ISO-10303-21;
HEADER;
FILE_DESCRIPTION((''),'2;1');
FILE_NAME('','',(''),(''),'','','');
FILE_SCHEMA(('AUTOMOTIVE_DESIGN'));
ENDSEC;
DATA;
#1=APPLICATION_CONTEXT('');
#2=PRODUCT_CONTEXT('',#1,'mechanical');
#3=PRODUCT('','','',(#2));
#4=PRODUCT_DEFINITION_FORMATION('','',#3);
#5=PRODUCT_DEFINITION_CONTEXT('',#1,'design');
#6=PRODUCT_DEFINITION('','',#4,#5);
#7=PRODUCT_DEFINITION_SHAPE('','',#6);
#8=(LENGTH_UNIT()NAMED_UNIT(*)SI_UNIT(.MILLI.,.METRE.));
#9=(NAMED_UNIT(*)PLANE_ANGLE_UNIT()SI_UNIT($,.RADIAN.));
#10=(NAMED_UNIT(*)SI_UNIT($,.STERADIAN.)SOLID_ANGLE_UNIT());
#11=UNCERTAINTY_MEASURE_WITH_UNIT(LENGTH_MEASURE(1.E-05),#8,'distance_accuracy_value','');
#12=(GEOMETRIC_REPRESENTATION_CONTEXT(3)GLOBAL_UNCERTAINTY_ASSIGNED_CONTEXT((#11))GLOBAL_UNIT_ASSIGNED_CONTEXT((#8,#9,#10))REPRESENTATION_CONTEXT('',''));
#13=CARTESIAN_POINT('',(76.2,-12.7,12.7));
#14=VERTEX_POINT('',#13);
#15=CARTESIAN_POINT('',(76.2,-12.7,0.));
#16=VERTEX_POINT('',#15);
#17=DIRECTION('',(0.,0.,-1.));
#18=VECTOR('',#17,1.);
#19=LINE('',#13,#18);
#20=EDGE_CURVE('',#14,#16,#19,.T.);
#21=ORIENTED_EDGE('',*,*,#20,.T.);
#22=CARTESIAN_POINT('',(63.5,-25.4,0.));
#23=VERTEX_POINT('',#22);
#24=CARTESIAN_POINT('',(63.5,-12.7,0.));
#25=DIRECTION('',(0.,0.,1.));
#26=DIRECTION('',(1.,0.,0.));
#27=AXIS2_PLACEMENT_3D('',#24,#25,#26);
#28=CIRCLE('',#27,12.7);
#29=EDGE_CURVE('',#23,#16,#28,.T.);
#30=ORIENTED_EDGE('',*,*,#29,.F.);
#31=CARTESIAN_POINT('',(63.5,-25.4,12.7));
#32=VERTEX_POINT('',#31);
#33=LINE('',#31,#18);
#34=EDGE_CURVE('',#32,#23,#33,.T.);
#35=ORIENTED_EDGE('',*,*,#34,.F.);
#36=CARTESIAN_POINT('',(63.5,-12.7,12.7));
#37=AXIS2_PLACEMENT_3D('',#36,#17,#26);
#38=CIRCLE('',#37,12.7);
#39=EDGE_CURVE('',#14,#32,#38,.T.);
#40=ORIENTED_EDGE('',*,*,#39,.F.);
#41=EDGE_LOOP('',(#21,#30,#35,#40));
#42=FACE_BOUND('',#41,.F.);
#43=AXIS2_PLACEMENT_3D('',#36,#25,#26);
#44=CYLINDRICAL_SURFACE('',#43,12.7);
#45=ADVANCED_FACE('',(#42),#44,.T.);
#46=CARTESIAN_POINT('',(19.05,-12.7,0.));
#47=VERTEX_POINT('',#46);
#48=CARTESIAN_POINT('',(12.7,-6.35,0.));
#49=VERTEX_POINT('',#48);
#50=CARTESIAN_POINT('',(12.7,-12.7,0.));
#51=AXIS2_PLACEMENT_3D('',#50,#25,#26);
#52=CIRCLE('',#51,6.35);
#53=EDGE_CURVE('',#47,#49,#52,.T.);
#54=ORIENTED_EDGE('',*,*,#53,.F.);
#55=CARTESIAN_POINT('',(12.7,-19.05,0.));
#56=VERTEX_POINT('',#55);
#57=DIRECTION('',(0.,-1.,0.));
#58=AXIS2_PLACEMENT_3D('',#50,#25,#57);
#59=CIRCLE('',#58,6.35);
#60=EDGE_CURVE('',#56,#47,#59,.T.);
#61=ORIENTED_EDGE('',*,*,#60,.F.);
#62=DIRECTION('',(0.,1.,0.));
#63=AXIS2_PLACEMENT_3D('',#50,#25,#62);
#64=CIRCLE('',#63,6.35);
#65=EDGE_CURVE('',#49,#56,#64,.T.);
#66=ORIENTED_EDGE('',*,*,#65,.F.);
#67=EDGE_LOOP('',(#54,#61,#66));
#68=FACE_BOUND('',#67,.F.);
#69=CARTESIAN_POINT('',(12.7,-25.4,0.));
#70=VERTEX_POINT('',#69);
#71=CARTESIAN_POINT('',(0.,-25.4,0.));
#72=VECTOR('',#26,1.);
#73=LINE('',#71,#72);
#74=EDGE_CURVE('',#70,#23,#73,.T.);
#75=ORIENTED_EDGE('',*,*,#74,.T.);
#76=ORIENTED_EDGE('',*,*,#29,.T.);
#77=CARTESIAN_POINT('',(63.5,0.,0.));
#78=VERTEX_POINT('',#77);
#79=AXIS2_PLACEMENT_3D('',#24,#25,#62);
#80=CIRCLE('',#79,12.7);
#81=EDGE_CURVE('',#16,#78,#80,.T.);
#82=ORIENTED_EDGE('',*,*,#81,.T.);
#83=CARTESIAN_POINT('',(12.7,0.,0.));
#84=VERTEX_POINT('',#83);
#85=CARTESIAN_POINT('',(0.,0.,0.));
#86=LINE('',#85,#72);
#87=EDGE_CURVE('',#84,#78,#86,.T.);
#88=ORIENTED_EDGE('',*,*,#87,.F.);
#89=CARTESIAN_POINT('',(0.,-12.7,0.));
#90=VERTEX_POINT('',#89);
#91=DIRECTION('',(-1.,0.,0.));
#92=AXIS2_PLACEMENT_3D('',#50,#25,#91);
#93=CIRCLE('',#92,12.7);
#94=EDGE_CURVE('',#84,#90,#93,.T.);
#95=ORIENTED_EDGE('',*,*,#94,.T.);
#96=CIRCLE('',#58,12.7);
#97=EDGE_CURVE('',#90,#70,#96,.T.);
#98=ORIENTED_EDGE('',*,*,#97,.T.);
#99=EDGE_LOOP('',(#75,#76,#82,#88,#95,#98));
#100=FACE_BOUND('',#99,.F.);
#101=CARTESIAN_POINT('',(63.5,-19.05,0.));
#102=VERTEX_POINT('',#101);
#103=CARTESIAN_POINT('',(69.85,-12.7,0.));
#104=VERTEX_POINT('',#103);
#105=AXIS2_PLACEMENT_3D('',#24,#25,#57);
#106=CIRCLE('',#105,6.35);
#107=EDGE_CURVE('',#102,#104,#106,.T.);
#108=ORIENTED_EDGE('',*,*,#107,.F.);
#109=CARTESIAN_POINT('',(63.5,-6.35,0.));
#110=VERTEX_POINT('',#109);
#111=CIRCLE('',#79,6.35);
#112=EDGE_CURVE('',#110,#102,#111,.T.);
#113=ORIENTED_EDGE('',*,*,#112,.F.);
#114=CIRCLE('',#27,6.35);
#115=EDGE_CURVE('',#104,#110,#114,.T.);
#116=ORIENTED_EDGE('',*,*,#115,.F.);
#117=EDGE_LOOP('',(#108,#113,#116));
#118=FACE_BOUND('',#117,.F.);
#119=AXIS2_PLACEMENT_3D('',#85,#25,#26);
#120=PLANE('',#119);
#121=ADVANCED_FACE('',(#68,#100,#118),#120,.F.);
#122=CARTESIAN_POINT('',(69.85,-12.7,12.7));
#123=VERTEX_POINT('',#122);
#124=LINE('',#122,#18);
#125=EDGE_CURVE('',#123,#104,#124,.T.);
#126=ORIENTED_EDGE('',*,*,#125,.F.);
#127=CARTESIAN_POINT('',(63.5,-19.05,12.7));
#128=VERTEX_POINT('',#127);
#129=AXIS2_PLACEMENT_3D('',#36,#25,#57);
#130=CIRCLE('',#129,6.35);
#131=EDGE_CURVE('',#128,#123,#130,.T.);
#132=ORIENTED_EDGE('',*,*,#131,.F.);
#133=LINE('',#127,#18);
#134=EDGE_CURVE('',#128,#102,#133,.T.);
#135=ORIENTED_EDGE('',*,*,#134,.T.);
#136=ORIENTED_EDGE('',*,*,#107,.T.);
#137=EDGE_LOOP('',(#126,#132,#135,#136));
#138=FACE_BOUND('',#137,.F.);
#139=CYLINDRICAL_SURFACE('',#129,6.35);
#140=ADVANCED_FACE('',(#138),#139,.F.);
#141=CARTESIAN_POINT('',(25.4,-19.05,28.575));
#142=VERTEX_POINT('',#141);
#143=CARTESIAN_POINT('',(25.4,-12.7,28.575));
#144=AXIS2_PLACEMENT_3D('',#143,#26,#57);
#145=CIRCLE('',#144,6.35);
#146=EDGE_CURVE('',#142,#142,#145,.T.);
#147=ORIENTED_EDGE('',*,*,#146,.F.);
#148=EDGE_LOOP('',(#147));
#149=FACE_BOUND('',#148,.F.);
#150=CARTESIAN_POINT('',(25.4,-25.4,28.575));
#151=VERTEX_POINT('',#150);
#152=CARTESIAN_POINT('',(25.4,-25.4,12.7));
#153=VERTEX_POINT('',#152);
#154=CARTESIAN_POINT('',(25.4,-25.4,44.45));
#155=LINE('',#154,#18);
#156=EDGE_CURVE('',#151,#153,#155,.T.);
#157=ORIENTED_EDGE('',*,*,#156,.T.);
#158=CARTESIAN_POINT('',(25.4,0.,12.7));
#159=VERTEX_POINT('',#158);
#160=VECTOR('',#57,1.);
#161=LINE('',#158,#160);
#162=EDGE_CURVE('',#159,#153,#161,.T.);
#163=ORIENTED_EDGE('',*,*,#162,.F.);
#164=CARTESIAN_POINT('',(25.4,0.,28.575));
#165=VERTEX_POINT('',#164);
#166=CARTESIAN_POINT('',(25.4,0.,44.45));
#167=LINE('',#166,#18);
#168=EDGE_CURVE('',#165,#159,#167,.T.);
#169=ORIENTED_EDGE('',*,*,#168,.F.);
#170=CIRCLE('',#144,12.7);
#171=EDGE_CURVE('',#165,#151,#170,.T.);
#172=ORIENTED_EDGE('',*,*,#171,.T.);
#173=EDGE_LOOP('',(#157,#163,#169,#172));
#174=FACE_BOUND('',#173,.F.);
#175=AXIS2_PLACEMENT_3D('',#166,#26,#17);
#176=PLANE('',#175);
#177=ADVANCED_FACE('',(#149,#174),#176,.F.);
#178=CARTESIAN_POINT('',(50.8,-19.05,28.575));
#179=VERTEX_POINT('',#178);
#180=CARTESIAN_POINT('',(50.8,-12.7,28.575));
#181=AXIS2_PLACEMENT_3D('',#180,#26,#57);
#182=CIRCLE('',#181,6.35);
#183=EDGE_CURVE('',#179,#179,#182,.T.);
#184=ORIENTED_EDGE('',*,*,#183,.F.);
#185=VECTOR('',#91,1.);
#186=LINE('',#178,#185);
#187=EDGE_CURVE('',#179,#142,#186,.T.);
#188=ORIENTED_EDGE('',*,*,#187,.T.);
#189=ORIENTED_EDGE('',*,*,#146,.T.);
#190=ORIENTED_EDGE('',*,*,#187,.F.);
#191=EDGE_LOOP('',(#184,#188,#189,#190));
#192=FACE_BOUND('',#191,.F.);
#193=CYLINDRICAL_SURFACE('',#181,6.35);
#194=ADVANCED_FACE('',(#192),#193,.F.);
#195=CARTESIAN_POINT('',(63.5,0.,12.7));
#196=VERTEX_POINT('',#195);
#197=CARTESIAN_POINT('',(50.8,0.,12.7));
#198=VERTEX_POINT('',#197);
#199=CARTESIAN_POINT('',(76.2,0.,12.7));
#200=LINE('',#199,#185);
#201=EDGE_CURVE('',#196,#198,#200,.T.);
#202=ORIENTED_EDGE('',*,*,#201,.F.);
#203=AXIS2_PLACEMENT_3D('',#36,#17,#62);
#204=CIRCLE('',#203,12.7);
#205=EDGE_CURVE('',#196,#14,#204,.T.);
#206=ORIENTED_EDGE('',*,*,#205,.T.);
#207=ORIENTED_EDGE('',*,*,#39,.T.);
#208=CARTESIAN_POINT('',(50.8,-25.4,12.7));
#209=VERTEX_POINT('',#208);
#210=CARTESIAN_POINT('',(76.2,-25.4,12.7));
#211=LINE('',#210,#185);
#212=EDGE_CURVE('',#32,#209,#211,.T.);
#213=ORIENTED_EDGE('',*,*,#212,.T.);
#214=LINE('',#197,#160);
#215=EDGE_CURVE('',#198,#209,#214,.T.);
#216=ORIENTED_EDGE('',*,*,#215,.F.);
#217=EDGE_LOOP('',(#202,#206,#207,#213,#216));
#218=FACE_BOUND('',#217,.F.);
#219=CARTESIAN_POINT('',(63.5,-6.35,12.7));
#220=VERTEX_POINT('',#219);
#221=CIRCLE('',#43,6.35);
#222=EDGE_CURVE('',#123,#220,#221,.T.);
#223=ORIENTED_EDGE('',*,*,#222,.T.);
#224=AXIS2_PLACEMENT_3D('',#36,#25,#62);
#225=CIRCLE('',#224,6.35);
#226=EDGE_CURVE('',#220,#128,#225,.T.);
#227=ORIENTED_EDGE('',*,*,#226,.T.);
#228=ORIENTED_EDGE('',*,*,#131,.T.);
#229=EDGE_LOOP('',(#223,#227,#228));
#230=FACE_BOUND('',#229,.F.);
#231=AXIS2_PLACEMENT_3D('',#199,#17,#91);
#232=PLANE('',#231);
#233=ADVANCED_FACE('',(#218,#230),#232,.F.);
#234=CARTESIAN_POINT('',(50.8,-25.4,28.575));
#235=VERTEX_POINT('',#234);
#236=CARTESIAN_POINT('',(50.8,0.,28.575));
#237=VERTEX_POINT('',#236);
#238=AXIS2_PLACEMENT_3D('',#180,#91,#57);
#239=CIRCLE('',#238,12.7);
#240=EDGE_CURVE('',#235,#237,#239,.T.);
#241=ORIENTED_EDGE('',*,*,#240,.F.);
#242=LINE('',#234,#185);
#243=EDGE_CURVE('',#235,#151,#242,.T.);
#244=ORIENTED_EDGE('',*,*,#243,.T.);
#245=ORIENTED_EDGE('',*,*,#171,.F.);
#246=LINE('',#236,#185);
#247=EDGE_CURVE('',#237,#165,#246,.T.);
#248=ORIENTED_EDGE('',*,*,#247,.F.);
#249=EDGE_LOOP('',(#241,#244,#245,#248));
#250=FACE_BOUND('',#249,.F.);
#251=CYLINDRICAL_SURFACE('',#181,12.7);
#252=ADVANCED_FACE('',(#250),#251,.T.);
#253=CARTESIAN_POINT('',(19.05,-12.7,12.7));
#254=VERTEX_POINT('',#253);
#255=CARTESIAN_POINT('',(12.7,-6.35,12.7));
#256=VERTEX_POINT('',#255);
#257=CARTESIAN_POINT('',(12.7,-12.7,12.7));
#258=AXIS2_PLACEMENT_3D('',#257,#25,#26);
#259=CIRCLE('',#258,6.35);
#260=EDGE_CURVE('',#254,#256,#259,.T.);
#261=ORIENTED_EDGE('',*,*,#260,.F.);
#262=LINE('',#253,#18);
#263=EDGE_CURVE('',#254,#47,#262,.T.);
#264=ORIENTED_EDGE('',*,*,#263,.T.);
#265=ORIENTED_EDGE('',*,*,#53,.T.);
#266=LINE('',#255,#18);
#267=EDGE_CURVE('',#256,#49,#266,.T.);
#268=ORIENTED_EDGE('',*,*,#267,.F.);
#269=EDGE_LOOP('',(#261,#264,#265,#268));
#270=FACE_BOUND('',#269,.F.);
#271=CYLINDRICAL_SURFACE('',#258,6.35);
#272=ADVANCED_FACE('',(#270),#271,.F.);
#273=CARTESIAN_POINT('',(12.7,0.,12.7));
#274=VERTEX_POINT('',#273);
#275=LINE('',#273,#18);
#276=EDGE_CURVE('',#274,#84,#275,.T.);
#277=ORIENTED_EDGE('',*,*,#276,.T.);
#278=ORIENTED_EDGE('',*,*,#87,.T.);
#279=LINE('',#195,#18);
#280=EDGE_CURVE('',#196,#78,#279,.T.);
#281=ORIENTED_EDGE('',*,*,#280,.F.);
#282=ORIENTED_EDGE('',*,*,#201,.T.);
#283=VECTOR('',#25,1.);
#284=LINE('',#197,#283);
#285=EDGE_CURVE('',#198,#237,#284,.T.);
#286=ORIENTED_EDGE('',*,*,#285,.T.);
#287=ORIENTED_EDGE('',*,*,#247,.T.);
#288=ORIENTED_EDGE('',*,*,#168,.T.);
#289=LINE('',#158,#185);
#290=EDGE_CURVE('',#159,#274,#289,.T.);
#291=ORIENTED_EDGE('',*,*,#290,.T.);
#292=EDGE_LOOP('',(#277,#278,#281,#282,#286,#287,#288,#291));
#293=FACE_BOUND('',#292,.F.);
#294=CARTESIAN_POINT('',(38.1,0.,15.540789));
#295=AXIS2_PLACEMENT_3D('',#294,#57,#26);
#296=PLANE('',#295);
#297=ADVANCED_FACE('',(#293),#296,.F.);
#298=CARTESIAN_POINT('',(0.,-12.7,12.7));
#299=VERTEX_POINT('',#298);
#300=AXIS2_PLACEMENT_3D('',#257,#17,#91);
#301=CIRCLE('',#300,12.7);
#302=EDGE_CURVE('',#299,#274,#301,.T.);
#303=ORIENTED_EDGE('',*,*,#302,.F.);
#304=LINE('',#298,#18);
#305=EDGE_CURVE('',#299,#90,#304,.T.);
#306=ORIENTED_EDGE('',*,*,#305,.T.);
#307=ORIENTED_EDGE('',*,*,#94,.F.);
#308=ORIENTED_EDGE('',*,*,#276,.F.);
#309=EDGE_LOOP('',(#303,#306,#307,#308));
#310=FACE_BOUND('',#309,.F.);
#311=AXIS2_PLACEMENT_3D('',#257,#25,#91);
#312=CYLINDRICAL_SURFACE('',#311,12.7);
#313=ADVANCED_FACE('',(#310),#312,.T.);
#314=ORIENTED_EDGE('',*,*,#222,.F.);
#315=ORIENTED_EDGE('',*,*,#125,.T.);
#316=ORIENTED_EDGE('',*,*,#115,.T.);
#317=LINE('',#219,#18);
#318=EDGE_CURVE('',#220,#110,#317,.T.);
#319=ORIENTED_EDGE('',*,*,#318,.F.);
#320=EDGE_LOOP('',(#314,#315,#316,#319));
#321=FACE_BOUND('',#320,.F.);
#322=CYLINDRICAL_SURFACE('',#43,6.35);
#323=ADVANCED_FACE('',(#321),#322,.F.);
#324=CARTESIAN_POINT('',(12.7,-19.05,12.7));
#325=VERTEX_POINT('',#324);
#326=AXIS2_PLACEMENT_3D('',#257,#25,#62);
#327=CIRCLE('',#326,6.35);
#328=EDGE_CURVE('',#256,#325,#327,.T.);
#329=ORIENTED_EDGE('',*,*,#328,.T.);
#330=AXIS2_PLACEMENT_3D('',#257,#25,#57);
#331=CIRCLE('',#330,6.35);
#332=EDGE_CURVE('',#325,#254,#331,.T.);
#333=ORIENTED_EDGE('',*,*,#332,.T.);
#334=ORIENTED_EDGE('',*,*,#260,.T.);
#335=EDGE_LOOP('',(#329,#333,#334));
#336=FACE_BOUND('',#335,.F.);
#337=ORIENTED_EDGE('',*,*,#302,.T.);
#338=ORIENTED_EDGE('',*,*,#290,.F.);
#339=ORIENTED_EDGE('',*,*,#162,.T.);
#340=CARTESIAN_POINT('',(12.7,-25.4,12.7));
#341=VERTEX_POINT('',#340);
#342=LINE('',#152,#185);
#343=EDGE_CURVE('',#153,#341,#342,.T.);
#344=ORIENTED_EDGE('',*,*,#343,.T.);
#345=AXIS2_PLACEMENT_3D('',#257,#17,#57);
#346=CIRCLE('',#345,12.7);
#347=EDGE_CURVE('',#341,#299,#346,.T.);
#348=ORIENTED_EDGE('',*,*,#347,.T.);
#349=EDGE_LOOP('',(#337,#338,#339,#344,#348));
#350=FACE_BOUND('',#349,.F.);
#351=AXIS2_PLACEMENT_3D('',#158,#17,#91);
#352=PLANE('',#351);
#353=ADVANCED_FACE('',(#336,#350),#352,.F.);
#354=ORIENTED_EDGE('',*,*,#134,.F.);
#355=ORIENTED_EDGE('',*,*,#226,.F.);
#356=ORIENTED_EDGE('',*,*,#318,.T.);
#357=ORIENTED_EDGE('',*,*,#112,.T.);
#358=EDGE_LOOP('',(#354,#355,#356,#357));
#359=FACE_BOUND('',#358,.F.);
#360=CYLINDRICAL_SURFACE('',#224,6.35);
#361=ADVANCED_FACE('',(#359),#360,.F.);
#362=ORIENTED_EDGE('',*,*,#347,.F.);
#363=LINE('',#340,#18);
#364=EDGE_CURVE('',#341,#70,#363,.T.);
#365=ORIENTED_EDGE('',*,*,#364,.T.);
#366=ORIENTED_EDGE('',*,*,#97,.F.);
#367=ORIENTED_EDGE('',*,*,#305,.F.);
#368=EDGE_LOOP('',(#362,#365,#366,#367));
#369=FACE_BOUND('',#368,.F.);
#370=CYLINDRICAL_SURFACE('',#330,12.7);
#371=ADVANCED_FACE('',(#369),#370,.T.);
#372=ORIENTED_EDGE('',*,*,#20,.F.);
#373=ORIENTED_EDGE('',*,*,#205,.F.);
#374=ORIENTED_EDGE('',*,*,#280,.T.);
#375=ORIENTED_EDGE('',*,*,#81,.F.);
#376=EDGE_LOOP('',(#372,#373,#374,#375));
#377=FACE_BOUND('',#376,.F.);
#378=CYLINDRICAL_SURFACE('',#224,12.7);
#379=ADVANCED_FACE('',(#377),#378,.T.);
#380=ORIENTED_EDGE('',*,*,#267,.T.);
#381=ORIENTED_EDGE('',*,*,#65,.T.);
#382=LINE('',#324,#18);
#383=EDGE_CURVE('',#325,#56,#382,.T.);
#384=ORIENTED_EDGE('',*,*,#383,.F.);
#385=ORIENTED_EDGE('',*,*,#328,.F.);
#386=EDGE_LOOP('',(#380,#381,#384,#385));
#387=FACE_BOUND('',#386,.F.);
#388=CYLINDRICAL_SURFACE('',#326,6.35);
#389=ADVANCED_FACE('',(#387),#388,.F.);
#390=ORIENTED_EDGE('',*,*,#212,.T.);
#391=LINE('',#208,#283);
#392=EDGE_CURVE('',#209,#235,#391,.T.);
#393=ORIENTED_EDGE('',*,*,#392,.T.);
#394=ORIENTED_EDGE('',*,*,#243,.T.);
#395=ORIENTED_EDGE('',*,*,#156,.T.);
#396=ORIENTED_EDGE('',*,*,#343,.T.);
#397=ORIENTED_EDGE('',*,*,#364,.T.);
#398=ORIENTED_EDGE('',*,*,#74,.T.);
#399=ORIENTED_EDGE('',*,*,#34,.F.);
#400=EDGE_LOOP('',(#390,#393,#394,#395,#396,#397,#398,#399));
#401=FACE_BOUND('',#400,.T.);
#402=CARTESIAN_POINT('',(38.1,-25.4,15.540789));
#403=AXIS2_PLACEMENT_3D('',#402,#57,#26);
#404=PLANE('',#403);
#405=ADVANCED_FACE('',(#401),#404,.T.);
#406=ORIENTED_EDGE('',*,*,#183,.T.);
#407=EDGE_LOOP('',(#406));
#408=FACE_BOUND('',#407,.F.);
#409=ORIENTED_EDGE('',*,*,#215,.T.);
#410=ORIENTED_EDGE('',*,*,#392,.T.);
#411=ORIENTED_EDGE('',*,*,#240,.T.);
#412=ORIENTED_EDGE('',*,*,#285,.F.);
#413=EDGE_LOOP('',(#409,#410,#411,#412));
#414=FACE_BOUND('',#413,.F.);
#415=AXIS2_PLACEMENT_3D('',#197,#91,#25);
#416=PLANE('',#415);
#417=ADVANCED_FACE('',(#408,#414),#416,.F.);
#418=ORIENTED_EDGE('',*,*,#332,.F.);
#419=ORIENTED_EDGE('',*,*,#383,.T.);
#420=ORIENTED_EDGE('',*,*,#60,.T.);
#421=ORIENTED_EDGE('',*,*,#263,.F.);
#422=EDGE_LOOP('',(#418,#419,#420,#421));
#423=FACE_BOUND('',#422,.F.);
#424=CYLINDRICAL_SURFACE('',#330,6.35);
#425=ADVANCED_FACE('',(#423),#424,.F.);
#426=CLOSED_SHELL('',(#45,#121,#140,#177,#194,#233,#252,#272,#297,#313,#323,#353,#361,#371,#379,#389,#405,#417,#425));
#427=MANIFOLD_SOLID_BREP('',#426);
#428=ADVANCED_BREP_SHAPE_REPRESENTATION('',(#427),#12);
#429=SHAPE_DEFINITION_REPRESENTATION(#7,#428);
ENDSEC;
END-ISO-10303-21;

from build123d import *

# Parameters (mm, degrees)
F1_DEPTH = 25.4
F3_DEPTH = 50.801
F5_DEPTH = 12.701
F7_DEPTH = 25.4


with BuildPart() as f1:
    # F0 (on Front) → F1 (new body)
    with BuildSketch(Plane.XZ):
        Polygon((0, 12.7), (0, 0), (76.2, 0), (76.2, 12.7), (50.8, 12.7), (50.8, 44.45), (25.4, 44.45), (25.4, 12.7), align=None)
    extrude(amount=F1_DEPTH)

    # F2 (on face) → F3 (cut, through all)
    with BuildSketch(Plane.YZ.offset(50.8)):
        with BuildLine():
            Line((-19.05, 28.575), (-6.35, 28.575))
            ThreePointArc((-6.35, 28.575), (-12.7, 34.925), (-19.05, 28.575))
        make_face()
        with BuildLine():
            ThreePointArc((-19.05, 28.575), (-12.7, 22.225), (-6.35, 28.575))
            Line((-6.35, 28.575), (-19.05, 28.575))
        make_face()
        with BuildLine():
            ThreePointArc((-25.4, 28.575), (-12.7, 41.275), (0, 28.575))
            Line((0, 28.575), (0, 44.45))
            Line((0, 44.45), (-25.4, 44.45))
            Line((-25.4, 44.45), (-25.4, 28.575))
        make_face()
    extrude(amount=-F3_DEPTH, mode=Mode.SUBTRACT)

    # F4 (on face) → F5 (cut, through all)
    with BuildSketch(Plane.XY.offset(12.7)):
        with BuildLine():
            ThreePointArc((12.7, -6.35), (6.35, -12.7), (12.7, -19.05))
            Line((12.7, -19.05), (12.7, -6.35))
        make_face()
        with BuildLine():
            Line((12.7, -6.35), (12.7, -19.05))
            ThreePointArc((12.7, -19.05), (17.1901280605, -17.1901280605), (19.05, -12.7))
            ThreePointArc((19.05, -12.7), (17.1901280605, -8.2098719395), (12.7, -6.35))
        make_face()
        with BuildLine():
            Line((0, 0), (0, -12.7))
            ThreePointArc((0, -12.7), (3.7197438789, -3.7197438789), (12.7, 0))
            Line((12.7, 0), (0, 0))
        make_face()
        with BuildLine():
            Line((0, -25.4), (12.7, -25.4))
            ThreePointArc((12.7, -25.4), (3.7197438789, -21.6802561211), (0, -12.7))
            Line((0, -12.7), (0, -25.4))
        make_face()
    extrude(amount=-F5_DEPTH, mode=Mode.SUBTRACT)

    # F6 (on face) → F7 (cut)
    with BuildSketch(Plane.XY.offset(12.7)):
        with BuildLine():
            Line((63.5, -19.05), (63.5, -6.35))
            ThreePointArc((63.5, -6.35), (57.15, -12.7), (63.5, -19.05))
        make_face()
        with BuildLine():
            ThreePointArc((69.85, -12.7), (67.9901280605, -8.2098719395), (63.5, -6.35))
            Line((63.5, -6.35), (63.5, -19.05))
            ThreePointArc((63.5, -19.05), (67.9901280605, -17.1901280605), (69.85, -12.7))
        make_face()
        with BuildLine():
            Line((76.2, 0), (63.5, 0))
            ThreePointArc((63.5, 0), (72.4802561211, -3.7197438789), (76.2, -12.7))
            Line((76.2, -12.7), (76.2, 0))
        make_face()
        with BuildLine():
            Line((76.2, -25.4), (76.2, -12.7))
            ThreePointArc((76.2, -12.7), (72.4802561211, -21.6802561211), (63.5, -25.4))
            Line((63.5, -25.4), (76.2, -25.4))
        make_face()
    extrude(amount=-F7_DEPTH, mode=Mode.SUBTRACT)


solid = f1.part
